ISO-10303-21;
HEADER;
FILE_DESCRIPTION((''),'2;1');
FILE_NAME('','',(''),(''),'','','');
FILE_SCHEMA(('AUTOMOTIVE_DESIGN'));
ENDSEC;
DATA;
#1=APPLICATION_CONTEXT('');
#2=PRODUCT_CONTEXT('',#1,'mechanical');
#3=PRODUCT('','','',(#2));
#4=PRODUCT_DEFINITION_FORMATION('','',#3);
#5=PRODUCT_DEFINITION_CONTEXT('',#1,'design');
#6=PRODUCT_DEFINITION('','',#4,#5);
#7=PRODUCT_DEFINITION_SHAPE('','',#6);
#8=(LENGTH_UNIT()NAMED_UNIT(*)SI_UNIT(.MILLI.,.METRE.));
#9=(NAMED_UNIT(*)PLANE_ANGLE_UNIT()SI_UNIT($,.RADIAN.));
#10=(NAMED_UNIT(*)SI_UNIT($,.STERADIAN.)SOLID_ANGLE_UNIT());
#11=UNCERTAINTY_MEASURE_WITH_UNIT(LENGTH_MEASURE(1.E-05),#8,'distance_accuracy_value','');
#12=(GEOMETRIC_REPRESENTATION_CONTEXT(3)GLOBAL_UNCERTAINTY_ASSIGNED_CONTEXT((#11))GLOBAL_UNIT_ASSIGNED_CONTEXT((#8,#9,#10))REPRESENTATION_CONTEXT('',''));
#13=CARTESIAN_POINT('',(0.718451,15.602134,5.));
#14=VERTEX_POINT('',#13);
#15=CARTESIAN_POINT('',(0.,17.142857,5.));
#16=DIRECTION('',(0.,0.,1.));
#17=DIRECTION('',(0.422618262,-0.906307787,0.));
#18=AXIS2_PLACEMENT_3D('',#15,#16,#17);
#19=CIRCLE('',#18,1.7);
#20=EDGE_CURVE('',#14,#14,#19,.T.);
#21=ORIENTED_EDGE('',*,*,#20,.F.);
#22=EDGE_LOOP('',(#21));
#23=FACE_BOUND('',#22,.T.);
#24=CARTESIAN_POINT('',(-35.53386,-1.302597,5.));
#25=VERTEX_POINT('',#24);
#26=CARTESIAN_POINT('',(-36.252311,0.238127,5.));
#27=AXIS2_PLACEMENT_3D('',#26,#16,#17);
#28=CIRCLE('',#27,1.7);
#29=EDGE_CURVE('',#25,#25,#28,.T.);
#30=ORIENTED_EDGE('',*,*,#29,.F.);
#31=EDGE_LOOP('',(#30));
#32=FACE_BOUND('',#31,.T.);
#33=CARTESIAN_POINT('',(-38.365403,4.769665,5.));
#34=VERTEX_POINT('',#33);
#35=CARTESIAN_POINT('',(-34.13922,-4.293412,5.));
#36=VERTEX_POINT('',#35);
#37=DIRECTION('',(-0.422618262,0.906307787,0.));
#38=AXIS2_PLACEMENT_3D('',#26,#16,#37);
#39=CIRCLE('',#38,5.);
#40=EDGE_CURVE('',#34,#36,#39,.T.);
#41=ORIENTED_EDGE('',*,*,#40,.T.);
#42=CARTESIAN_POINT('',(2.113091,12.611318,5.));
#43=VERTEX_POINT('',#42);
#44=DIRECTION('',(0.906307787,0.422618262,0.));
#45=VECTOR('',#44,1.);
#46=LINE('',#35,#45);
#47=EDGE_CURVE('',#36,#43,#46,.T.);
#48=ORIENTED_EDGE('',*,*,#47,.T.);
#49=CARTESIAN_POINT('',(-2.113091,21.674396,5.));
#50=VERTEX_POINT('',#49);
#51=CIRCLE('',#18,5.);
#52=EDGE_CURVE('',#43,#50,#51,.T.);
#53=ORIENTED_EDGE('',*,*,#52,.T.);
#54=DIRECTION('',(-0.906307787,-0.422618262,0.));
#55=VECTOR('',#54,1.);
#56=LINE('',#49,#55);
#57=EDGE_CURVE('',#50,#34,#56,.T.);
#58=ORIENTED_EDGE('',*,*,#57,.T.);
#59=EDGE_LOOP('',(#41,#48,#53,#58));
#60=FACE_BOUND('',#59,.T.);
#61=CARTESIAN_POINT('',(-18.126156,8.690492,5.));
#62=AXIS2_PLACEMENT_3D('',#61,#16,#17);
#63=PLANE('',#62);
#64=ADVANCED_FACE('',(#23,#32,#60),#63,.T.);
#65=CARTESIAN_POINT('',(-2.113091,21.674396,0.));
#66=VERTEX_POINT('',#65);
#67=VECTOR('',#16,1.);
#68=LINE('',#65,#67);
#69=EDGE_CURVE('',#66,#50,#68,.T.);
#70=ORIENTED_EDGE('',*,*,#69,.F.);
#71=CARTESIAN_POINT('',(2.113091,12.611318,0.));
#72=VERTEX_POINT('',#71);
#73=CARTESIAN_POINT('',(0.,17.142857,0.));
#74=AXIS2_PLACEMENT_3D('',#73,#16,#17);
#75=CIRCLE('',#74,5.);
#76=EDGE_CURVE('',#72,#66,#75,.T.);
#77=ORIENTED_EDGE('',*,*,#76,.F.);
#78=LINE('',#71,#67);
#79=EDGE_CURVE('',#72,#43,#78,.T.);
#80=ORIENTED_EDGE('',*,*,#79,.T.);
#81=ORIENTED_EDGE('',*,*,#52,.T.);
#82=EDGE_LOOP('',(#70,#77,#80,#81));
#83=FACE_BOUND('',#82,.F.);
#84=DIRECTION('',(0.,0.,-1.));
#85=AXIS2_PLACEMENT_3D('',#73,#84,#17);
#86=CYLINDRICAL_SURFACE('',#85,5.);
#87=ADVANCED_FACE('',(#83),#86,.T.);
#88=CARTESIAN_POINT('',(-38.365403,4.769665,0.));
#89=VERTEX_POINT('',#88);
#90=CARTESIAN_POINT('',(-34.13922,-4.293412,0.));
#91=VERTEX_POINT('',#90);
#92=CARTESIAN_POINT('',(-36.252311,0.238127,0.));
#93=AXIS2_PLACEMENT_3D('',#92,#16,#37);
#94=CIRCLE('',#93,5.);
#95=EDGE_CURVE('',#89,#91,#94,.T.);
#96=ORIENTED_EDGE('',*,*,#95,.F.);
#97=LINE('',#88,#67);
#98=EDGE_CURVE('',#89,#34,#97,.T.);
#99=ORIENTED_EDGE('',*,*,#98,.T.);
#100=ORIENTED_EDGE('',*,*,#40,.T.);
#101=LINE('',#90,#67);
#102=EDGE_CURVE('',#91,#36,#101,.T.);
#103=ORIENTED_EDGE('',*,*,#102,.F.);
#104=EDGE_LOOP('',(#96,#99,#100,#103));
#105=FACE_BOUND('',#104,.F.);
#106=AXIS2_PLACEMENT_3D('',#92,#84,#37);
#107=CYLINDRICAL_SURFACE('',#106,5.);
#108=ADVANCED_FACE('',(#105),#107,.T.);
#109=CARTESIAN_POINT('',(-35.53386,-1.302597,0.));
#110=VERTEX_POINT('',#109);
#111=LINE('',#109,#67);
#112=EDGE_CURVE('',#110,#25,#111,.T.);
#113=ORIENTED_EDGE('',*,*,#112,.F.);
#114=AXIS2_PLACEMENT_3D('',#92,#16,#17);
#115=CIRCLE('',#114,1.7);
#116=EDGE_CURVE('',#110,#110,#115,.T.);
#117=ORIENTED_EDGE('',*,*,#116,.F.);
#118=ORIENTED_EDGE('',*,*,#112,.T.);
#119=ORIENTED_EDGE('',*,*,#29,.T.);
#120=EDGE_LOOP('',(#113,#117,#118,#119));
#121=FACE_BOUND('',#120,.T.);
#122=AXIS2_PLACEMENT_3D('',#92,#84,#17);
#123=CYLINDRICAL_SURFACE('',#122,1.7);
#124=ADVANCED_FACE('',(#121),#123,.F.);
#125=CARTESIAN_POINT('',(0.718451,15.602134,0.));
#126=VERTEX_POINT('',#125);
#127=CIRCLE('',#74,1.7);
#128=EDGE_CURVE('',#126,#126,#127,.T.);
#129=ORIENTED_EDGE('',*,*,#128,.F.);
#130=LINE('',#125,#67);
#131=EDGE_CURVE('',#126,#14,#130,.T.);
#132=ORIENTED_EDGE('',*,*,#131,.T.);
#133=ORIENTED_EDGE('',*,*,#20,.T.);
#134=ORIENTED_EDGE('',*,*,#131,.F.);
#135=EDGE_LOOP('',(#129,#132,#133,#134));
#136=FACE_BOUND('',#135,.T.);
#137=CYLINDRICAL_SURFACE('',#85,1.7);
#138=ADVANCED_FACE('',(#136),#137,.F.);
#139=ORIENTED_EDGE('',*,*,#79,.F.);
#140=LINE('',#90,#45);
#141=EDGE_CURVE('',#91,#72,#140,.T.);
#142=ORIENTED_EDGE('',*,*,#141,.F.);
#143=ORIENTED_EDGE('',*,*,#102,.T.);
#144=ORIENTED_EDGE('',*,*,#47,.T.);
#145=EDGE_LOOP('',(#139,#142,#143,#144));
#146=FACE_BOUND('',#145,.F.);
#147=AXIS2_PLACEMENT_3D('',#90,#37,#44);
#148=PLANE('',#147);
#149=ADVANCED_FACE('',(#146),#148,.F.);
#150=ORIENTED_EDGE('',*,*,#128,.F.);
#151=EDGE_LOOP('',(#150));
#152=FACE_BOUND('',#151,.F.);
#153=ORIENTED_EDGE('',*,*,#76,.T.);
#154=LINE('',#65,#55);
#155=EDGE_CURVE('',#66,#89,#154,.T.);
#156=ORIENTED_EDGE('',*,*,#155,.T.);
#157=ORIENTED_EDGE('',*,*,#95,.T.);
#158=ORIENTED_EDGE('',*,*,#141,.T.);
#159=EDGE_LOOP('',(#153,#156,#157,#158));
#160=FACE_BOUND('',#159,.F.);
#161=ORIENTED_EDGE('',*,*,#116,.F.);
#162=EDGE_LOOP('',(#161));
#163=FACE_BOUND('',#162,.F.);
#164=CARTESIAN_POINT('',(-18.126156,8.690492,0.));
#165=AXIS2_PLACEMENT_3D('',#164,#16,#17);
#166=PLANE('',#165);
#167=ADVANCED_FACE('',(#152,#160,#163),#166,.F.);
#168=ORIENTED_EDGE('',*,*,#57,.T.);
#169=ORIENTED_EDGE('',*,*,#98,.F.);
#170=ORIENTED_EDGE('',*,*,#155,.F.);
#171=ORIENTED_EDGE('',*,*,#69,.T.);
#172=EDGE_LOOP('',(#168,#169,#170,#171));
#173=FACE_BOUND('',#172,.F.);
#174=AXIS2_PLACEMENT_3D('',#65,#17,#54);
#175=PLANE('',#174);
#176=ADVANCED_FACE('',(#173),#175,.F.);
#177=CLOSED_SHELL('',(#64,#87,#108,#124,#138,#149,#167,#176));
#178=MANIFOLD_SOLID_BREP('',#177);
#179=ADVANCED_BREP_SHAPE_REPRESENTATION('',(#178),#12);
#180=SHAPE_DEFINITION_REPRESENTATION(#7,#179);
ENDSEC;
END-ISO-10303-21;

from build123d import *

# Parameters (mm, degrees)
F0_R     = 1.7
F1_DEPTH = 5
F2_ANGLE = -65


with BuildPart() as f1:
    # F0 (on Top) → F1 (new body)
    with BuildSketch(Plane.XY):
        with BuildLine():
            ThreePointArc((5, 17.142857), (0, 22.142857), (-5, 17.142857))
            Line((-5, 17.142857), (-5, -22.857143))
            ThreePointArc((-5, -22.857143), (0, -27.857143), (5, -22.857143))
            Line((5, -22.857143), (5, 17.142857))
        make_face()
        with Locations((0, -22.857143)):
            Circle(F0_R, mode=Mode.SUBTRACT)
        with Locations((0, 17.142857)):
            Circle(F0_R, mode=Mode.SUBTRACT)
    extrude(amount=F1_DEPTH)


with BuildPart() as f1_1:
    # F2: moved
    add(f1.part.rotate(Axis((0, 17.142857, 5), (0, 0, 1)), F2_ANGLE))


solid = f1_1.part
